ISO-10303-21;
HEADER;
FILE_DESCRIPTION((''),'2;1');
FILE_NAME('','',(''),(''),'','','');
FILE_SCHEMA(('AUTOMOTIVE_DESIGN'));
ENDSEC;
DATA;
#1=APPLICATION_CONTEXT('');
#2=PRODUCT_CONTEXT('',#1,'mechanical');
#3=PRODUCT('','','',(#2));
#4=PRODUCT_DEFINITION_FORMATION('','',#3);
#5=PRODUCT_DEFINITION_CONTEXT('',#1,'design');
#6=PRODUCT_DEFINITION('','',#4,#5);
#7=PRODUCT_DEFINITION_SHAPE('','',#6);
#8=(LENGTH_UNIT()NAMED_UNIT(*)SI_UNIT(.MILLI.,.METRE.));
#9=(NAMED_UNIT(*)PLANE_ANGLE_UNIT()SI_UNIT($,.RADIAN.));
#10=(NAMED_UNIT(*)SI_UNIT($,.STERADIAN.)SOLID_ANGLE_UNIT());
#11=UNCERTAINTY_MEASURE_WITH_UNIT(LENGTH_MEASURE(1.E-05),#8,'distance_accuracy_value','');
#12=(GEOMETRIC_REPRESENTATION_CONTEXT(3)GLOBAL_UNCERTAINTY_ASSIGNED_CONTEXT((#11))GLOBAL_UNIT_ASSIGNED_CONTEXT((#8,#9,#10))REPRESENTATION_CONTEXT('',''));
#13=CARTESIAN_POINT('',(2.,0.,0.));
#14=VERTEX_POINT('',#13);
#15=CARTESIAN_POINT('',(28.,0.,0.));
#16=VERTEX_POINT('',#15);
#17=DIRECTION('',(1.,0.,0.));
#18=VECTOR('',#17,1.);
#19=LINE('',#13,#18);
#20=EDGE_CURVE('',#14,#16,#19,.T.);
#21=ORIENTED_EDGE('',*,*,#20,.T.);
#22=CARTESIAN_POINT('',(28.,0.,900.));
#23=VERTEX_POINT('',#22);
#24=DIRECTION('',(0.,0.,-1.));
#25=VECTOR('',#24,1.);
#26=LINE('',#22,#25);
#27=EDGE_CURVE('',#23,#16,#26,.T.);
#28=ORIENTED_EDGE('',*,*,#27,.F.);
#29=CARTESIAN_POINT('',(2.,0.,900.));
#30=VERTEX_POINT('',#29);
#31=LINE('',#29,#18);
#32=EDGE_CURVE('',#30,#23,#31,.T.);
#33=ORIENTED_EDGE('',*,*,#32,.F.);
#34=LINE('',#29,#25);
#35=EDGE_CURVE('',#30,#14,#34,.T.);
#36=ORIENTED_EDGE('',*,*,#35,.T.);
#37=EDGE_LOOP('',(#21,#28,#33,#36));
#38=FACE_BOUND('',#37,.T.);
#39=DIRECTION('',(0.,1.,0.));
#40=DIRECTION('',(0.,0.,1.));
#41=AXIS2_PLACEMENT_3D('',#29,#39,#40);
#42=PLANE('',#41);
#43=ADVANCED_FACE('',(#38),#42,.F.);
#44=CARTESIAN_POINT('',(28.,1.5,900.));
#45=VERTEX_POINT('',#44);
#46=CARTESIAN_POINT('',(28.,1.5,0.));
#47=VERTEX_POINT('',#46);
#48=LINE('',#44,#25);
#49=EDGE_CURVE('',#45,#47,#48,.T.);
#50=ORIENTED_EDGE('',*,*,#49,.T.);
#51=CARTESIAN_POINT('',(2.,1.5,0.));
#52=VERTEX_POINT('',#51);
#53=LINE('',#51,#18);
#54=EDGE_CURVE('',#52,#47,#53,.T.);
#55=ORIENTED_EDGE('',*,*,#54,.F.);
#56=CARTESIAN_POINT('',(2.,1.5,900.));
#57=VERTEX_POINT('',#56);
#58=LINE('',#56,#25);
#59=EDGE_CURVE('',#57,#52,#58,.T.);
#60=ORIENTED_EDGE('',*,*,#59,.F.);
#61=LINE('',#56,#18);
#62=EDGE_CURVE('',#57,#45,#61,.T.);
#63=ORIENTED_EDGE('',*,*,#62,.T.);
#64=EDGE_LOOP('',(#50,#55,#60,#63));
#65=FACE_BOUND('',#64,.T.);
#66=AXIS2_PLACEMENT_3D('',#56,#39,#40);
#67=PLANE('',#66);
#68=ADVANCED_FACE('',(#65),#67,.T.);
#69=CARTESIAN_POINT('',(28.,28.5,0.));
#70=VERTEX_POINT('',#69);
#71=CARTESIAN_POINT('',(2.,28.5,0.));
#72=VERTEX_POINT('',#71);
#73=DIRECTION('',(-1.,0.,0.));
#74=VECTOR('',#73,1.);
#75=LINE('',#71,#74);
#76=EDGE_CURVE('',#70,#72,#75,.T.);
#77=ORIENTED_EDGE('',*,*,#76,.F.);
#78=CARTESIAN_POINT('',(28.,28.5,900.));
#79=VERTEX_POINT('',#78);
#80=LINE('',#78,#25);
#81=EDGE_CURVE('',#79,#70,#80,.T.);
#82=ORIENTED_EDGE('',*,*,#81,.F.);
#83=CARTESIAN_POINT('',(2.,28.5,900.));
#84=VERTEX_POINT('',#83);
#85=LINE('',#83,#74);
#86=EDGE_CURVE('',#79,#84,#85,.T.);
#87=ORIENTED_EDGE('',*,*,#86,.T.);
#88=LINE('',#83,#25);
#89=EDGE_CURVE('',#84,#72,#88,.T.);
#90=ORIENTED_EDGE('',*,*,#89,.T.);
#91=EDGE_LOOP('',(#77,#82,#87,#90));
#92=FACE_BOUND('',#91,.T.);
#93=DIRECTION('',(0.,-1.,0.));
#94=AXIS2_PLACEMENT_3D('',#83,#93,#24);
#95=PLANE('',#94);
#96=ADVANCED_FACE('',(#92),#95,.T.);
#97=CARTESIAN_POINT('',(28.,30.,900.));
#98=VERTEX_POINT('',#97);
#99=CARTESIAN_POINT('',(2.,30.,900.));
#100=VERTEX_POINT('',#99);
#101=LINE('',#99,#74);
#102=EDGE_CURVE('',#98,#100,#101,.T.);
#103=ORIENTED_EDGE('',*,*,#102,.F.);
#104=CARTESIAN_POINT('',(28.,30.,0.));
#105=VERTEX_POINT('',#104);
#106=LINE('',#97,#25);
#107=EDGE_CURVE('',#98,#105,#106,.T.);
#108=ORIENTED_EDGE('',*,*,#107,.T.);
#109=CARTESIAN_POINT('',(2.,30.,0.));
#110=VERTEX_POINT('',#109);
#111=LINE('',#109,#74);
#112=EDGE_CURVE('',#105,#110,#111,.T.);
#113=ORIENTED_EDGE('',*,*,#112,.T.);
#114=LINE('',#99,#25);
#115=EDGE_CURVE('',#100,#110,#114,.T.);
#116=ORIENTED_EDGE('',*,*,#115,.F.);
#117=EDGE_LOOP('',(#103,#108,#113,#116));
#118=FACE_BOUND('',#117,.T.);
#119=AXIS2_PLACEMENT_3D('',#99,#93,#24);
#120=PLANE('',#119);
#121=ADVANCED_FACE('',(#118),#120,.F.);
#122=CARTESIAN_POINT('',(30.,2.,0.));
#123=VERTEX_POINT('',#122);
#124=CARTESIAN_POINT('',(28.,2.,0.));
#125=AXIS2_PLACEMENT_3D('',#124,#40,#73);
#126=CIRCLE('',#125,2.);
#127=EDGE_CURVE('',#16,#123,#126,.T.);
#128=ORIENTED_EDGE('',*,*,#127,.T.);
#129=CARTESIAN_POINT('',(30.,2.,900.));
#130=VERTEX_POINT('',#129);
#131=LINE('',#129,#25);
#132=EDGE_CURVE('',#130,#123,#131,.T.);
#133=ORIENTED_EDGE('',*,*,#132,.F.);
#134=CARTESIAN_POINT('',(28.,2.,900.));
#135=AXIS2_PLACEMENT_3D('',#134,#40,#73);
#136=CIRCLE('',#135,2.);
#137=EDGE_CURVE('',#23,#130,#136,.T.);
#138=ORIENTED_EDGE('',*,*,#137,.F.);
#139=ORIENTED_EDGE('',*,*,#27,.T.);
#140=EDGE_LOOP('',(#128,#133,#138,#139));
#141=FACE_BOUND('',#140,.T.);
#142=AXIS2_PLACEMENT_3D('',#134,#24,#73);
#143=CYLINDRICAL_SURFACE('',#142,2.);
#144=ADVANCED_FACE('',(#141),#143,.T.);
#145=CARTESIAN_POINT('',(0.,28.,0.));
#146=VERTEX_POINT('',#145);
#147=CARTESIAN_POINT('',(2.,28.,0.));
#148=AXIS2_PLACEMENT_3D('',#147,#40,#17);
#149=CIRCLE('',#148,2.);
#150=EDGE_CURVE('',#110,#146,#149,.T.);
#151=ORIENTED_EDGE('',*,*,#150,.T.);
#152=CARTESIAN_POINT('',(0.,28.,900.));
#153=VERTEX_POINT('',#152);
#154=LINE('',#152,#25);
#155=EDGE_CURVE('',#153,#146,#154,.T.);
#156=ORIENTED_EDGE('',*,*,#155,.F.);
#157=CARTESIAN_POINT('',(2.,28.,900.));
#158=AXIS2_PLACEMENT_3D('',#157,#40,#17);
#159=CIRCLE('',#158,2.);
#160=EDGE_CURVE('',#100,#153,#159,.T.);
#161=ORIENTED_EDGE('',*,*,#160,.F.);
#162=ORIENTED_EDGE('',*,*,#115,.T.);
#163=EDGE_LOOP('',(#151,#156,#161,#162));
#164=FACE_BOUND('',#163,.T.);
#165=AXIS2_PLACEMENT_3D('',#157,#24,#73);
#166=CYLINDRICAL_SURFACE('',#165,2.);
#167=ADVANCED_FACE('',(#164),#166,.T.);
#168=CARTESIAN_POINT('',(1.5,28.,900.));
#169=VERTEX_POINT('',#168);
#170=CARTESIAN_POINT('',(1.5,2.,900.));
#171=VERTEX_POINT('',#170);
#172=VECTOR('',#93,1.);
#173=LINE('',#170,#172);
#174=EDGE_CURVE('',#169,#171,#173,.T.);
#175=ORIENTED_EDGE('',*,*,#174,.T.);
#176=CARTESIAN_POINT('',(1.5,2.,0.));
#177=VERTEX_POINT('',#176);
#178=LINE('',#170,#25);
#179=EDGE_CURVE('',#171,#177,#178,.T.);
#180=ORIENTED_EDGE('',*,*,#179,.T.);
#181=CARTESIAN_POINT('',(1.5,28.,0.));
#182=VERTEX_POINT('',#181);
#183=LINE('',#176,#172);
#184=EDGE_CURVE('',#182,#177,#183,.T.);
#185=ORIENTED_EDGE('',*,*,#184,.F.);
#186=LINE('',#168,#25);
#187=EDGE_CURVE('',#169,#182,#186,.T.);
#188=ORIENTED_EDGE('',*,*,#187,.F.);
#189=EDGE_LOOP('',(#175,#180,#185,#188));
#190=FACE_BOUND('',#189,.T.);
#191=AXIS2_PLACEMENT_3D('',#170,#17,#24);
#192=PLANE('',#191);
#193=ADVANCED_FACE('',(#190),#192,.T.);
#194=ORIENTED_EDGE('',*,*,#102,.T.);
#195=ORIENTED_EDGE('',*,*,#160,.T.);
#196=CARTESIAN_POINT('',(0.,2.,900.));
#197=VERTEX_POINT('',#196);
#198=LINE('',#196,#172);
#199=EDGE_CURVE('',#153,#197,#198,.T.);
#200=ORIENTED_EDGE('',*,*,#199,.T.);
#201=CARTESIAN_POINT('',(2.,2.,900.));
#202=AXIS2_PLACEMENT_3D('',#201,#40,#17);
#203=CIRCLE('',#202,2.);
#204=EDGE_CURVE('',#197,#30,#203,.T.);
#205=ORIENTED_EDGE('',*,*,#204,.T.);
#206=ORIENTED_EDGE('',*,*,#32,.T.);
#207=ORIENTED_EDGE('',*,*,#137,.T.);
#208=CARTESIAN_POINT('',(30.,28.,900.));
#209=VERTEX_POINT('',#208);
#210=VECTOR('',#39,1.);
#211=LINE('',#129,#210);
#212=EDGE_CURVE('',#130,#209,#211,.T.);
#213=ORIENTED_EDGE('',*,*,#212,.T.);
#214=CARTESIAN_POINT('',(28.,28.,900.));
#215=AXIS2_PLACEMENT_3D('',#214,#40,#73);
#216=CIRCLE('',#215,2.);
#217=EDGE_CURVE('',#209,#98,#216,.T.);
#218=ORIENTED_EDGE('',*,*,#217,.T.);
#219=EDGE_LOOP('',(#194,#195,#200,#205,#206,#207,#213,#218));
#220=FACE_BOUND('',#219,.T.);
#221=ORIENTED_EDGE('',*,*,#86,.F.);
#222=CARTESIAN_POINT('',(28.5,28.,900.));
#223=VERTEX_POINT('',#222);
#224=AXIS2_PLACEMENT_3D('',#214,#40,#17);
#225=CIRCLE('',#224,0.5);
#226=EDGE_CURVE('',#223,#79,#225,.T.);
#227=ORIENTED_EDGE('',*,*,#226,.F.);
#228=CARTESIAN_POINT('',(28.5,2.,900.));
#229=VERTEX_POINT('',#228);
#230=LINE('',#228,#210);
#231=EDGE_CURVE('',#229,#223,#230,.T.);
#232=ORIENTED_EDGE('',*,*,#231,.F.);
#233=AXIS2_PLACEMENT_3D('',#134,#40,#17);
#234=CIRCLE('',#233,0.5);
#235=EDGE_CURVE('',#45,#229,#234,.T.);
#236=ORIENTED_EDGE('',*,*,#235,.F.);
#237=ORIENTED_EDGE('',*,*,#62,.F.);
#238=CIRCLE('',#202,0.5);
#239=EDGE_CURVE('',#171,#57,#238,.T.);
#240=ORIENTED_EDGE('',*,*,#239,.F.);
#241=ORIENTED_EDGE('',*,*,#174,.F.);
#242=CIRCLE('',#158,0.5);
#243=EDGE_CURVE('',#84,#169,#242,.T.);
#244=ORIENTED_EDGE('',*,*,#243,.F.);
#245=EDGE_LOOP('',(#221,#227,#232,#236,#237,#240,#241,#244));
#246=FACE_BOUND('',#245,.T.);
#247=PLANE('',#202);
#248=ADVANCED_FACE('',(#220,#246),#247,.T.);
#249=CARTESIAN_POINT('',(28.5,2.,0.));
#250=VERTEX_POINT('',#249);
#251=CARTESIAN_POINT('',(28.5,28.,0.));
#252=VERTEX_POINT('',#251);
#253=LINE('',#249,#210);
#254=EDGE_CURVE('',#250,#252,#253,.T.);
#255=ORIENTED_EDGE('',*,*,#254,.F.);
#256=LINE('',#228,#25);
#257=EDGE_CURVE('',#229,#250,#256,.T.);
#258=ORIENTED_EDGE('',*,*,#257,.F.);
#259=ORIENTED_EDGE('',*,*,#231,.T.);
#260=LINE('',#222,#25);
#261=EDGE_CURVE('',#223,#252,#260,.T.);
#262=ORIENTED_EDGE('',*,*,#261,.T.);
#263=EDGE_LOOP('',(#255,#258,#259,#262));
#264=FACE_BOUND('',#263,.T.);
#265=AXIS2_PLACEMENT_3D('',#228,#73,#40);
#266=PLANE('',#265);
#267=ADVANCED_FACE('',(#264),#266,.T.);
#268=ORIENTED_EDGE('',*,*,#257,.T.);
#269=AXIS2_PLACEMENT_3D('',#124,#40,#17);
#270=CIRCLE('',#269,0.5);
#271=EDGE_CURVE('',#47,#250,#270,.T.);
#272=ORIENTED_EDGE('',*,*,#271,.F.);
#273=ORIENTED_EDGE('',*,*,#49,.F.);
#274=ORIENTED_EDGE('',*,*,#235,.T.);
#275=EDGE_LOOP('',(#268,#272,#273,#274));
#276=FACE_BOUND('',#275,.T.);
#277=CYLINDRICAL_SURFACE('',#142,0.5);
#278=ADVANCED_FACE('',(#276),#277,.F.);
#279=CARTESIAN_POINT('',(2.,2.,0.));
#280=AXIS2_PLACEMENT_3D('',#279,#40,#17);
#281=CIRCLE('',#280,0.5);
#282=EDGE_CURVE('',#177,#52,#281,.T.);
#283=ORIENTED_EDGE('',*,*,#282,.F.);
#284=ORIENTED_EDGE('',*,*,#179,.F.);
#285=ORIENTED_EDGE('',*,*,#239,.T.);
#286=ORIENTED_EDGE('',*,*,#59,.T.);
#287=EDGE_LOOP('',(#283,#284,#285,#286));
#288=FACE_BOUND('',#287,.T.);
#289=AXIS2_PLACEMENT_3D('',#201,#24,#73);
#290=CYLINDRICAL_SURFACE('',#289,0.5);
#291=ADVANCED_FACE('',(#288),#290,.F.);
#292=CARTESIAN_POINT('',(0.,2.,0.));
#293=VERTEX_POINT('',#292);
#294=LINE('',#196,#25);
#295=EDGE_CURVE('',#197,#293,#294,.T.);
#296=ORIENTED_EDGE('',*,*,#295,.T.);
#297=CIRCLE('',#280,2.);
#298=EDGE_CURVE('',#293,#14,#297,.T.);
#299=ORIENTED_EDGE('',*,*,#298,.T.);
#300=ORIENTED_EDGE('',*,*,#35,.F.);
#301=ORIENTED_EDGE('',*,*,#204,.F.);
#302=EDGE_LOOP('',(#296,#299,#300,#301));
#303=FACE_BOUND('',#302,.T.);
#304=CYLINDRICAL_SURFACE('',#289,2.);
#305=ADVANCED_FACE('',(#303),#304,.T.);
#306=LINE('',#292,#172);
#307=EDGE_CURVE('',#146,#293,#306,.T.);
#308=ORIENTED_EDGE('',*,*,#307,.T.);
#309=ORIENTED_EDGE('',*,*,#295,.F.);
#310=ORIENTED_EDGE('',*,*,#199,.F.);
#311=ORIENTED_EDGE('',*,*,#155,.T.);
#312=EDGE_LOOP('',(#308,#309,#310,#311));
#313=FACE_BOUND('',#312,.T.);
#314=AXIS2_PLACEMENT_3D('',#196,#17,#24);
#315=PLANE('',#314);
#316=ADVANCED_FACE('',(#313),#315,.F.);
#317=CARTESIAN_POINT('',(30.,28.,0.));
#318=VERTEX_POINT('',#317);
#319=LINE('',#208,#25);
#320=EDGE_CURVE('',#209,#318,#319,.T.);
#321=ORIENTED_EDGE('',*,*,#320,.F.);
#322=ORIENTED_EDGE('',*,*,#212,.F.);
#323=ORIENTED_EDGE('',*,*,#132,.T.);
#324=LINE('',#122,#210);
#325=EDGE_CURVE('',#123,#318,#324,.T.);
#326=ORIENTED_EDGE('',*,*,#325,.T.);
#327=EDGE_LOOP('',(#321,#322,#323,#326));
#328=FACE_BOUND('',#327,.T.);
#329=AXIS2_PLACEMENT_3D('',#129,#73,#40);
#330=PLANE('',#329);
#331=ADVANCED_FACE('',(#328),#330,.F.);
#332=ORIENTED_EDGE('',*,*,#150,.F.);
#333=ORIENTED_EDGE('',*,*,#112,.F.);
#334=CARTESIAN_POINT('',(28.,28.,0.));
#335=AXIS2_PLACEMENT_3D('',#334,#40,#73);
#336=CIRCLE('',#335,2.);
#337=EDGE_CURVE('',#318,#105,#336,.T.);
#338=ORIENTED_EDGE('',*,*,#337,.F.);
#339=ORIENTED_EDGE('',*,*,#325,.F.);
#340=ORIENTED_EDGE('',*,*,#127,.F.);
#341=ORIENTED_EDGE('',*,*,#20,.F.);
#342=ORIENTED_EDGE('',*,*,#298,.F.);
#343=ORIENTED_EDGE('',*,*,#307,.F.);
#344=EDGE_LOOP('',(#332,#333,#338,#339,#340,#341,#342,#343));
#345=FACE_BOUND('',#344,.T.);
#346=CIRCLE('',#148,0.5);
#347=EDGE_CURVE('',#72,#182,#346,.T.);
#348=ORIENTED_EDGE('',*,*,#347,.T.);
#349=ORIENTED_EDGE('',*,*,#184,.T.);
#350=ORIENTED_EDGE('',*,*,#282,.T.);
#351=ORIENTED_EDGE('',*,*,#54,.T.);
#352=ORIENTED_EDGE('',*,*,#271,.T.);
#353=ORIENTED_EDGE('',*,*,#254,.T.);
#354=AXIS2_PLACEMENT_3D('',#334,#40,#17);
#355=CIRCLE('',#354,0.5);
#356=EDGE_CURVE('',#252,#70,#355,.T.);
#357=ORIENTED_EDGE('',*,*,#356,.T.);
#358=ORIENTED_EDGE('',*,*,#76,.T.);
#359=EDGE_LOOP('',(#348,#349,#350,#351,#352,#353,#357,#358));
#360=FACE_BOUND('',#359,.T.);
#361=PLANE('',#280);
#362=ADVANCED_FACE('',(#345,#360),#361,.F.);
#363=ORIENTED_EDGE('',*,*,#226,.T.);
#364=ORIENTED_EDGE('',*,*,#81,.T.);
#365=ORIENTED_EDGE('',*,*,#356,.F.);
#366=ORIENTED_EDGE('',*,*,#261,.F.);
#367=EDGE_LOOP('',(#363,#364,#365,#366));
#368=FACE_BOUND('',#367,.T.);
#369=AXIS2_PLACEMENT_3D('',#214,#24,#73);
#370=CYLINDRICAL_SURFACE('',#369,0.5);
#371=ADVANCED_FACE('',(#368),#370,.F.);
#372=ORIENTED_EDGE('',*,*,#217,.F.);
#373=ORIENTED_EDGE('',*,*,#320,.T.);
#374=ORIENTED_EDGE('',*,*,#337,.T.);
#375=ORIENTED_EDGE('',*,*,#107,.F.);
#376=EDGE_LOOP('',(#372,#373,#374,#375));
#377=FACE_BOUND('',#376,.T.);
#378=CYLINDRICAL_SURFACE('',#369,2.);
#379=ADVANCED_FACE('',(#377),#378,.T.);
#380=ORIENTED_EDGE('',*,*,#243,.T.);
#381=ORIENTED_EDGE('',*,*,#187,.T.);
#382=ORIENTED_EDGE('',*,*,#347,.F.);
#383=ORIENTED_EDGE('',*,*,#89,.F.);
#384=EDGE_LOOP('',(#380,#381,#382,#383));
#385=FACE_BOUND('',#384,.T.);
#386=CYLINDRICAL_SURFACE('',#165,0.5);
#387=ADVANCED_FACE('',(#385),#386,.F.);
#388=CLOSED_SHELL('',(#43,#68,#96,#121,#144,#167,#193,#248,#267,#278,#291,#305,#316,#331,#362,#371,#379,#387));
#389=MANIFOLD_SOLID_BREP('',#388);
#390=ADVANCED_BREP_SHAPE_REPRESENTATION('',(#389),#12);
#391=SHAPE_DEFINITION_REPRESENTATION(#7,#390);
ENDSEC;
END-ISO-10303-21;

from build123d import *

# Parameters (mm, degrees)
EXTRUDE_1_DEPTH = 900


with BuildPart() as part:
    # Эскиз1 → Вытянуть-Тонкостенный1 (new body)
    with BuildSketch(Plane.XY):
        with BuildLine():
            Line((0, 28), (0, 2))
            ThreePointArc((0, 2), (0.585786438, 0.585786438), (2, 0))
            Line((2, 0), (28, 0))
            ThreePointArc((28, 0), (29.414213562, 0.585786438), (30, 2))
            Line((30, 2), (30, 28))
            ThreePointArc((30, 28), (29.414213562, 29.414213562), (28, 30))
            Line((28, 30), (2, 30))
            ThreePointArc((2, 30), (0.585786438, 29.414213562), (0, 28))
        make_face()
        with BuildLine():
            Line((1.5, 28), (1.5, 2))
            ThreePointArc((1.5, 2), (1.646446609, 1.646446609), (2, 1.5))
            Line((2, 1.5), (28, 1.5))
            ThreePointArc((28, 1.5), (28.353553391, 1.646446609), (28.5, 2))
            Line((28.5, 2), (28.5, 28))
            ThreePointArc((28.5, 28), (28.353553391, 28.353553391), (28, 28.5))
            Line((28, 28.5), (2, 28.5))
            ThreePointArc((2, 28.5), (1.646446609, 28.353553391), (1.5, 28))
        make_face(mode=Mode.SUBTRACT)
    extrude(amount=EXTRUDE_1_DEPTH)


solid = part.part
